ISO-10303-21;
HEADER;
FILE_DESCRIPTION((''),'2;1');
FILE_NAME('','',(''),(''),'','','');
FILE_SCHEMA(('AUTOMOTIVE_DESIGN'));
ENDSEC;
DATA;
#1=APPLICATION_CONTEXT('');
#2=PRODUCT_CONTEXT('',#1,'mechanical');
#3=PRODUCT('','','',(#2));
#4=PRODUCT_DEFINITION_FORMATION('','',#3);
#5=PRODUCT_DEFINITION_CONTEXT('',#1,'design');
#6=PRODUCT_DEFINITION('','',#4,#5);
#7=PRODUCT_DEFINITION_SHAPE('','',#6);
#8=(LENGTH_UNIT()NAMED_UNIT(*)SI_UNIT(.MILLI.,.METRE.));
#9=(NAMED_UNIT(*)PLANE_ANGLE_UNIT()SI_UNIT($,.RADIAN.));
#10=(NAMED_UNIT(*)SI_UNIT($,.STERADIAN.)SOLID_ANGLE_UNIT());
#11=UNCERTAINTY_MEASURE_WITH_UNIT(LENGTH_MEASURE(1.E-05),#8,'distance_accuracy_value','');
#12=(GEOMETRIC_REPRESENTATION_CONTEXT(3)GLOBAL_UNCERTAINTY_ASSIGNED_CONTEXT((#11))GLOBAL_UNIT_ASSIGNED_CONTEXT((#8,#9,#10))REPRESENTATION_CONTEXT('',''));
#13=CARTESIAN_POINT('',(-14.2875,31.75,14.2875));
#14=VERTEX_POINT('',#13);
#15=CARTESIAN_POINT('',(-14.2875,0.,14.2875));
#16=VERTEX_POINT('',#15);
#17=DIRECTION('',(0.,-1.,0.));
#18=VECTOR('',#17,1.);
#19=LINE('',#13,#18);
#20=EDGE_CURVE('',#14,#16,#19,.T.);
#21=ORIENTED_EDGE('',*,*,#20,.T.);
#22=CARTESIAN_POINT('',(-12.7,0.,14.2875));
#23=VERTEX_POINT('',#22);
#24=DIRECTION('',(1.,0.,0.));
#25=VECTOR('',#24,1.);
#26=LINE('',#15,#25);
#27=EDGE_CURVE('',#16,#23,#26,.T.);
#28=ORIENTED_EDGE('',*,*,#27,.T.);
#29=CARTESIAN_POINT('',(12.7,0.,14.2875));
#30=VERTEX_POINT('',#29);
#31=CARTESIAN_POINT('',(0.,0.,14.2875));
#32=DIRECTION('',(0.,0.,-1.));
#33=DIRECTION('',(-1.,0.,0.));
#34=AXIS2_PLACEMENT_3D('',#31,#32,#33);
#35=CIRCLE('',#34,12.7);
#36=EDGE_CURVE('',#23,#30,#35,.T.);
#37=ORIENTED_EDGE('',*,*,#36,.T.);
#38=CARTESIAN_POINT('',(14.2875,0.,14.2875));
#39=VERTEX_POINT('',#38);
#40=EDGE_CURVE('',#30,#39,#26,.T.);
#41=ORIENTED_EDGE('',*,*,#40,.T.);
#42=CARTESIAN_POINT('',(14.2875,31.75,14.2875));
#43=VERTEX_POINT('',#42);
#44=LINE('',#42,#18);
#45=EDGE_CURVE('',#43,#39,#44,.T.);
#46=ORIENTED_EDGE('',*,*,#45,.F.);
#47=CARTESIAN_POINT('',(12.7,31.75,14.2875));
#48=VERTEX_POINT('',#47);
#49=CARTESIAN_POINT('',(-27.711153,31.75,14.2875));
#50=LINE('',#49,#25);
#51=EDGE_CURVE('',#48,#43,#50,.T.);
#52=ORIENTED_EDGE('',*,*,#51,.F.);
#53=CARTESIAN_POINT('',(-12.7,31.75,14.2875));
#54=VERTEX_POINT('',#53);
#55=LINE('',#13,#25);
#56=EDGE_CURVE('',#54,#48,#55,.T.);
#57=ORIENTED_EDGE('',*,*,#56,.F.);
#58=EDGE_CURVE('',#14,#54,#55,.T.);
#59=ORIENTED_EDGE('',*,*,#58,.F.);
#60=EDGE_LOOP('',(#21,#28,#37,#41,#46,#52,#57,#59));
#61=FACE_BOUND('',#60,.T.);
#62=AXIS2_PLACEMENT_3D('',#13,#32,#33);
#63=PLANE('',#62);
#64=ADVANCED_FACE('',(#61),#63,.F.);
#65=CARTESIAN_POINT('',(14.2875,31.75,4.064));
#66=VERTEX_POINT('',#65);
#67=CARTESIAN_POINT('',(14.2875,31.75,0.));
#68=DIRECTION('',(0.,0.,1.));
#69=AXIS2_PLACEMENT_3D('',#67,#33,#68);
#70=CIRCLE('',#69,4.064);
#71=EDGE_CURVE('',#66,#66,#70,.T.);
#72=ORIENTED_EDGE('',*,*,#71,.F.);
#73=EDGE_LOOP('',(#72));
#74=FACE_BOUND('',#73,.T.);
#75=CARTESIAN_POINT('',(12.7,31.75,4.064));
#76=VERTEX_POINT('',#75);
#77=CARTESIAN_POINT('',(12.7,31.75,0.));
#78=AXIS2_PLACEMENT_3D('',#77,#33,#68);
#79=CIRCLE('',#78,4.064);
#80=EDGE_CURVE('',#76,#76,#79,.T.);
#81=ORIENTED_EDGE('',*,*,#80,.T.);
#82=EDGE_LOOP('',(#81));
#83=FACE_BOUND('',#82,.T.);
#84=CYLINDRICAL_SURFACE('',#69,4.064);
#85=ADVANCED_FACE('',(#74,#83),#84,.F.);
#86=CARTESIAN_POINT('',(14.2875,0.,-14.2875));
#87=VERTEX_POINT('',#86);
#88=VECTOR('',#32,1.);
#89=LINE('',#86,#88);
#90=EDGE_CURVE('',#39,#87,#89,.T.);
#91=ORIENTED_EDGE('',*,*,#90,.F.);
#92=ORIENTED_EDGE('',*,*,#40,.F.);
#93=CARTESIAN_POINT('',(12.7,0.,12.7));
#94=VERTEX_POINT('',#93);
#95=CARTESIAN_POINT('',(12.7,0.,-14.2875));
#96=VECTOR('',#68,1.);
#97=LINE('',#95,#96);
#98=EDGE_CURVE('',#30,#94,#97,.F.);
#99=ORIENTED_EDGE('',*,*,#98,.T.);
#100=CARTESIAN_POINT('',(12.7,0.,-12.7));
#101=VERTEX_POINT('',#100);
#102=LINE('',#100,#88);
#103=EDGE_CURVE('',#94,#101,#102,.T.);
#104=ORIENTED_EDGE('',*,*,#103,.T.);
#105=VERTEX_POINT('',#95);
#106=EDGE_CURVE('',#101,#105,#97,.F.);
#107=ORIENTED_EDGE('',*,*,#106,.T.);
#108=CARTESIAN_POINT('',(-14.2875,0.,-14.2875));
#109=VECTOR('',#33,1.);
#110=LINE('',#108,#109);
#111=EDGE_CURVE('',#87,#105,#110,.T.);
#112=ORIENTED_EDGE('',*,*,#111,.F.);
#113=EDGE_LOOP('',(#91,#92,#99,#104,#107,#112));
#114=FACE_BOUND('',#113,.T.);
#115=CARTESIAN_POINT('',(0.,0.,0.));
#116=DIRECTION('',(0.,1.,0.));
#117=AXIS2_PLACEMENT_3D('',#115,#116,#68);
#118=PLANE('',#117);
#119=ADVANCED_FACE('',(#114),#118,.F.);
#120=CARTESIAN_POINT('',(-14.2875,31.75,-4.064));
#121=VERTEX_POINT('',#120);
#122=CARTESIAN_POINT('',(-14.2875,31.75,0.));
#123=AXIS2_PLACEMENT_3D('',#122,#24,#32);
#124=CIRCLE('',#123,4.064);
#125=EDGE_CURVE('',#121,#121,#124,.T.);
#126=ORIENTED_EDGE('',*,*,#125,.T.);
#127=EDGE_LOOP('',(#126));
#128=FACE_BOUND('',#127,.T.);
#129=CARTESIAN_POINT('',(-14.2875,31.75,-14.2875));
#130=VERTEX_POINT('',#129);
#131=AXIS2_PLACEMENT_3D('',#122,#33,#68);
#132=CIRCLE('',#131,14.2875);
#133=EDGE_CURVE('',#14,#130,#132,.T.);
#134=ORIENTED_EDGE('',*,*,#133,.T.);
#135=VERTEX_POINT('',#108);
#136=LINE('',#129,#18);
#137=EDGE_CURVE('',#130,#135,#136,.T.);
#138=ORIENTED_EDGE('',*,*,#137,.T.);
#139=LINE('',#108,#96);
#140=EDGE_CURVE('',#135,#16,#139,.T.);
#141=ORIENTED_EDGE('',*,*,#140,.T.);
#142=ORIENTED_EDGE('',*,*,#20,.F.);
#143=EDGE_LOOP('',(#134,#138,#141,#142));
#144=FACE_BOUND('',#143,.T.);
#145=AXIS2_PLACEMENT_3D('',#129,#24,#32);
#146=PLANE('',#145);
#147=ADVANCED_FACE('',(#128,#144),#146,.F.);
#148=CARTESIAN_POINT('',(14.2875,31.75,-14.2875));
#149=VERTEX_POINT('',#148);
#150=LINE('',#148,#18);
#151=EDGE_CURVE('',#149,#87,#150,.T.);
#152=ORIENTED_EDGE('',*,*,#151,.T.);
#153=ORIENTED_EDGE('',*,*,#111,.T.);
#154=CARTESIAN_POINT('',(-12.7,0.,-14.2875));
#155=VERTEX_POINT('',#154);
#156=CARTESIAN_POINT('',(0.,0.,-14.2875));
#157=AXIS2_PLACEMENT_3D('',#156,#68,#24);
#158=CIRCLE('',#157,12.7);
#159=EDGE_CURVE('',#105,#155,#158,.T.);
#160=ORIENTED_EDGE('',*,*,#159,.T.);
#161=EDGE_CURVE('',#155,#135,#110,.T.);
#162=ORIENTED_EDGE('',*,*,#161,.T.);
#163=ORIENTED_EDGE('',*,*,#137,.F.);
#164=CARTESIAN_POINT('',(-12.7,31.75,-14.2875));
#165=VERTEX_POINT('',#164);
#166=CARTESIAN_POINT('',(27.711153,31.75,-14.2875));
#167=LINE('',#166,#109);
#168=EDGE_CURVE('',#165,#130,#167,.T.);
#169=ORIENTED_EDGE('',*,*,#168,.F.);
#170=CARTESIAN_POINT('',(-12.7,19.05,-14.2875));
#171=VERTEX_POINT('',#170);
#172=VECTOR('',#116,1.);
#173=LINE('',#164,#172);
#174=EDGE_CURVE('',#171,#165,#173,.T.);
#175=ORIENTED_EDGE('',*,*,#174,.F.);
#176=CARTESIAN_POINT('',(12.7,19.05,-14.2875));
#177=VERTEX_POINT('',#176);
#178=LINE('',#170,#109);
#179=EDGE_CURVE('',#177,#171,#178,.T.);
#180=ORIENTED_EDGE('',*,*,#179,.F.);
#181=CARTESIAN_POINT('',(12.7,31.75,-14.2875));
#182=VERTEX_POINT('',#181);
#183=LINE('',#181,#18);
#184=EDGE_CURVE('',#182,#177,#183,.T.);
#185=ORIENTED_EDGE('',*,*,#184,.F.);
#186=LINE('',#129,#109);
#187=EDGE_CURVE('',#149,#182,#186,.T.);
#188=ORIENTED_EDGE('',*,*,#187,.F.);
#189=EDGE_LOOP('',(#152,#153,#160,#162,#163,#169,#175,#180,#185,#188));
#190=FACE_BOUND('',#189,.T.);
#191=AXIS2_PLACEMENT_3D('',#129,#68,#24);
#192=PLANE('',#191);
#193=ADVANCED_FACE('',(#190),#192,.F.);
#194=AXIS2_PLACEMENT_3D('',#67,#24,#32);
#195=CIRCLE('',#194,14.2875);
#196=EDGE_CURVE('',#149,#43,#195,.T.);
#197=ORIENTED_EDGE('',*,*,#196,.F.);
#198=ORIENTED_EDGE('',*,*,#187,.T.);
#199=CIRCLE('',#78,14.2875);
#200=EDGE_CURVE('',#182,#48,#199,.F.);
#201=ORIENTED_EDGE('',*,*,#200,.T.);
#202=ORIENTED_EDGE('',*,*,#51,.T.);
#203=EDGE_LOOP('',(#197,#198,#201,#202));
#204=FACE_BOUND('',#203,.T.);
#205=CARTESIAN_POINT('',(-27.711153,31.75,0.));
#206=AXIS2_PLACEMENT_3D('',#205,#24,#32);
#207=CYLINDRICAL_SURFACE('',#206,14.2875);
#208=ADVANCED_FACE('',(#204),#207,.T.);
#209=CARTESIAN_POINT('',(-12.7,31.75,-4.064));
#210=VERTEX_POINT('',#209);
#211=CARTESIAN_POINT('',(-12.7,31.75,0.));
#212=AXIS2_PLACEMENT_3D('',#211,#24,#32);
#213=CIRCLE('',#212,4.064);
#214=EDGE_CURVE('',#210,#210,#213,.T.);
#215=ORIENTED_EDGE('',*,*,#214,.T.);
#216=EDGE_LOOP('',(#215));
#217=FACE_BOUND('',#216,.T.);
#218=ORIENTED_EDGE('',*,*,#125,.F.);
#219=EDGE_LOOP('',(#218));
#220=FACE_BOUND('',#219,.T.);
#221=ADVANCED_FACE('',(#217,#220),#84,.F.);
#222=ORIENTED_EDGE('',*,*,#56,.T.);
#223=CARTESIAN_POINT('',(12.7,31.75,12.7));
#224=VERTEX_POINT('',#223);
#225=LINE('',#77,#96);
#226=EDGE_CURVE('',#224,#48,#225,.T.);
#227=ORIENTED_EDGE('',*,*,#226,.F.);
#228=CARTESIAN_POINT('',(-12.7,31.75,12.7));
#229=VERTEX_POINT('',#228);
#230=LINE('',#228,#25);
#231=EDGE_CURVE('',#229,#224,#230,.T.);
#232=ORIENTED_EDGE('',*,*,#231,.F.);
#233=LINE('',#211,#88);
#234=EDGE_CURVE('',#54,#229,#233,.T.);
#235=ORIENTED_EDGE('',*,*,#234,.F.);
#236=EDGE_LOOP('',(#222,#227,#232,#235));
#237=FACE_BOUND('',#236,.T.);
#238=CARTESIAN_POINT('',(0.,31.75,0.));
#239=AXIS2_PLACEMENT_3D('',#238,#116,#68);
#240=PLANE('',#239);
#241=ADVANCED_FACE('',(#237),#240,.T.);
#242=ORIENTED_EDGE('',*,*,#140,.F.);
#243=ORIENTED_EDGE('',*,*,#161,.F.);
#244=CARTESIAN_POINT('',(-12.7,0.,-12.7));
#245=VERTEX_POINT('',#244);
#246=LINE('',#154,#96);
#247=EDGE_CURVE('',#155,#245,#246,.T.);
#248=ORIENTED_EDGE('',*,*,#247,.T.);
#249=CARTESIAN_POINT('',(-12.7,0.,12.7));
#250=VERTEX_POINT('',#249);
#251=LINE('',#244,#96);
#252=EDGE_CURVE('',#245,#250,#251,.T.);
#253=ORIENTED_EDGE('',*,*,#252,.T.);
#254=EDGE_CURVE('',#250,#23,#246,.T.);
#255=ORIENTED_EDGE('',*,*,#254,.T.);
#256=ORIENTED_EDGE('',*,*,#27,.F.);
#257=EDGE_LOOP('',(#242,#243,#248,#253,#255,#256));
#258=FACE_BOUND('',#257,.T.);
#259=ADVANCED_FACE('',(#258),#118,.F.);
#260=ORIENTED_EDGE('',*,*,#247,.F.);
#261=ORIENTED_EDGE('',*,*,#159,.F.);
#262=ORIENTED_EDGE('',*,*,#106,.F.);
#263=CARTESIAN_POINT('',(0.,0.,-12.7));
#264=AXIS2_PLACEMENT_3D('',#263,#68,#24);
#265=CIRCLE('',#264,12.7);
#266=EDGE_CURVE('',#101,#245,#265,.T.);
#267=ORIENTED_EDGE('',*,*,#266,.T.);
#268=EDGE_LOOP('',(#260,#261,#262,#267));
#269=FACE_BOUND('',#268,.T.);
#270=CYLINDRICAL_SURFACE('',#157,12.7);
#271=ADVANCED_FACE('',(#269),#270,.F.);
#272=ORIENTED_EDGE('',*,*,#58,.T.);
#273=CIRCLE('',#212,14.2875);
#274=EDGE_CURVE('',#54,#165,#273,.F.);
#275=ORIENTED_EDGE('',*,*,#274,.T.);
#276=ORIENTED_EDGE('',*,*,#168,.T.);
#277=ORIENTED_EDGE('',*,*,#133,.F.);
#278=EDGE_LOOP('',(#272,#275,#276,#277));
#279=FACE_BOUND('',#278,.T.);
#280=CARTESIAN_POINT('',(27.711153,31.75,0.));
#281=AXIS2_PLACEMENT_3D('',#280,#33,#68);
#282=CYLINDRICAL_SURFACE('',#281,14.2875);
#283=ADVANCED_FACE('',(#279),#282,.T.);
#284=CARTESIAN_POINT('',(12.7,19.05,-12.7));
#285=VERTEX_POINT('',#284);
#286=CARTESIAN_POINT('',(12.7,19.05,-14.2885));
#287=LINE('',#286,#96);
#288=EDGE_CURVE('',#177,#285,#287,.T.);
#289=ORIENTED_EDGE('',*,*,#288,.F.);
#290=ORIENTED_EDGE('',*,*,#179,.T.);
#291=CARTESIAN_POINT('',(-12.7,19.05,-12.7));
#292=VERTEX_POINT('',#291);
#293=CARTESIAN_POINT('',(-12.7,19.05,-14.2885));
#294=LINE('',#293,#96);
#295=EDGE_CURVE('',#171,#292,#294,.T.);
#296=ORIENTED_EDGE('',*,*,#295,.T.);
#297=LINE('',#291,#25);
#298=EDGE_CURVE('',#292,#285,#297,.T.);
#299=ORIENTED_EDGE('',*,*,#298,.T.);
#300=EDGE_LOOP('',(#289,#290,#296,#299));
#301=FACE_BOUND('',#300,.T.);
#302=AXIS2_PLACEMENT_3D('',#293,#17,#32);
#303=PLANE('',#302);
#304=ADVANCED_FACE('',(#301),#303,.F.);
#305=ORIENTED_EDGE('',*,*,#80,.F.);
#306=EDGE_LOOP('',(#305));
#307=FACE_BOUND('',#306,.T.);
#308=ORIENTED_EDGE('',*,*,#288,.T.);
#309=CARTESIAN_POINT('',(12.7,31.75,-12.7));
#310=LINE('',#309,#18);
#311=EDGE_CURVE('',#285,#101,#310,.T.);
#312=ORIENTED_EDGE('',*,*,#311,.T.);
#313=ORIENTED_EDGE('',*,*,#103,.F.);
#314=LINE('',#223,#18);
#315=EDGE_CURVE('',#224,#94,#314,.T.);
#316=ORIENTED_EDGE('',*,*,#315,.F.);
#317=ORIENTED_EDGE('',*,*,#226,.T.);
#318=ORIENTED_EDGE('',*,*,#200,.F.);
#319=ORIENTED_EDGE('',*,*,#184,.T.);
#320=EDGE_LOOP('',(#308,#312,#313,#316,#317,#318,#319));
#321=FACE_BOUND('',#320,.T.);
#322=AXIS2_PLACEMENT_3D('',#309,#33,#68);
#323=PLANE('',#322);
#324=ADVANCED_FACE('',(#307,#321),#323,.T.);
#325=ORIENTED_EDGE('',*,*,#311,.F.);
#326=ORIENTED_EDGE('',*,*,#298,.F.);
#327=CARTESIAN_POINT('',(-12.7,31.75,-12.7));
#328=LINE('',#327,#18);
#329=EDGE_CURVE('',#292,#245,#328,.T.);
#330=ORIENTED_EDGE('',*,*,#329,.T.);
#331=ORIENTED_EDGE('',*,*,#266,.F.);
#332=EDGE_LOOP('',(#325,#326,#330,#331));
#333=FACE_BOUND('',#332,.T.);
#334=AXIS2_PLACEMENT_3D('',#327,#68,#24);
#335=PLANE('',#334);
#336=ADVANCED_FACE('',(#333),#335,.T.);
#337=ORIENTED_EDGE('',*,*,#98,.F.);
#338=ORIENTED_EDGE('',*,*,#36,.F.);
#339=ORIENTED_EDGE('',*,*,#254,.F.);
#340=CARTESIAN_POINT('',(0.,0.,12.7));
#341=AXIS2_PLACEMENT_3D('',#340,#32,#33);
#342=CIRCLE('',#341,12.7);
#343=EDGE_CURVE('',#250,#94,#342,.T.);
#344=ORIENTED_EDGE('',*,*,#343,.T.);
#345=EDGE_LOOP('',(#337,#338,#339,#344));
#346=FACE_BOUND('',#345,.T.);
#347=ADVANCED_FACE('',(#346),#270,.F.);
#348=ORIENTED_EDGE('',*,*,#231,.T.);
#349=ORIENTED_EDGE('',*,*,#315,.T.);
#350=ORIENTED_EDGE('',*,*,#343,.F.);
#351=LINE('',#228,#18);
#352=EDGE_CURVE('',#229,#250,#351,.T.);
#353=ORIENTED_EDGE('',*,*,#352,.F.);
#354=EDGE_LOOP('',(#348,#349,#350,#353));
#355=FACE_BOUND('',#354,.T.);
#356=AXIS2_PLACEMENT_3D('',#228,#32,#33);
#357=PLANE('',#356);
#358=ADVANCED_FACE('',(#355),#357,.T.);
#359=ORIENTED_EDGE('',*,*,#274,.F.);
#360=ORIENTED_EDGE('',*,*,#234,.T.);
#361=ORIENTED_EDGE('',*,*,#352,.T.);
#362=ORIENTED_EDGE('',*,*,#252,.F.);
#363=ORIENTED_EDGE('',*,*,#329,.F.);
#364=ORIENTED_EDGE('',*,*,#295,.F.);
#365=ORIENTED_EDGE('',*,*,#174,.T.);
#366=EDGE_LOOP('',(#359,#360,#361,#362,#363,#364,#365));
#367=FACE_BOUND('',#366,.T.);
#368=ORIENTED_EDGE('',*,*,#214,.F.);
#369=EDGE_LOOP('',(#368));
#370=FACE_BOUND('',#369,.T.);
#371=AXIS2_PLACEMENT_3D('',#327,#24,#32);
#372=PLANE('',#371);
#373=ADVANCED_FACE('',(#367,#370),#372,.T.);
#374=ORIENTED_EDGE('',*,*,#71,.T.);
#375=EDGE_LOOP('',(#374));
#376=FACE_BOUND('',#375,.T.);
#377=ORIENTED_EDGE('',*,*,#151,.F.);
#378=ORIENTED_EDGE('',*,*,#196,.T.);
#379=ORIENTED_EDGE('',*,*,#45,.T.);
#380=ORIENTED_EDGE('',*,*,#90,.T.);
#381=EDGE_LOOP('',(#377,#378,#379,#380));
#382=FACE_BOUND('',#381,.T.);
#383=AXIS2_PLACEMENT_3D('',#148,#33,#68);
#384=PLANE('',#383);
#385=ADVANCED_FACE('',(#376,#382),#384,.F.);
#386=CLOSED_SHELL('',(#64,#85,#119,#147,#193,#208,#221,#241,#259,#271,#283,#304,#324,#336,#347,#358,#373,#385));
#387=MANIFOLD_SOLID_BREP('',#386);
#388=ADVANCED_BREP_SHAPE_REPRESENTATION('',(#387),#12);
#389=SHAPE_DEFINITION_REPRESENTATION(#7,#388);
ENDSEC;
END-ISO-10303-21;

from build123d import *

# Parameters (mm, degrees)
SKETCH1_W               = 28.575
SKETCH1_H               = 28.575
SKETCH1_W_2             = 25.4
SKETCH1_H_2             = 25.4
BOSS_EXTRUDE1_DEPTH     = 31.75
SKETCH2_R               = 14.2875
BOSS_EXTRUDE2_DEPTH     = 1.5875
BOSS_EXTRUDE3_START     = -1.5875
SKETCH3_R               = 14.2875
BOSS_EXTRUDE3_DEPTH     = 1.5875
CUT_EXTRUDE1_DEPTH      = 57.036726238
CUT_EXTRUDE1_DEPTH_BACK = 57.036726238
SKETCH4_R               = 4.064
CUT_EXTRUDE2_DEPTH      = 57.036726238
CUT_EXTRUDE2_DEPTH_BACK = 57.036726238
SKETCH5_R               = 12.7
CUT_EXTRUDE3_REACH      = 57.244
SKETCH6_W               = 25.4
SKETCH6_H               = 12.7


with BuildPart() as part:
    # Sketch1 → Boss-Extrude1 (new body)
    with BuildSketch(Plane(origin=(0, 0, 0), x_dir=(1, 0, 0), z_dir=(0, 1, 0))):
        Rectangle(SKETCH1_W, SKETCH1_H)
        Rectangle(SKETCH1_W_2, SKETCH1_H_2, mode=Mode.SUBTRACT)
    extrude(amount=BOSS_EXTRUDE1_DEPTH)

    # Sketch2 → Boss-Extrude2 (add)
    with BuildSketch(Plane.ZY.offset(14.2875)):
        with Locations((0, 31.75)):
            Circle(SKETCH2_R)
    extrude(amount=-BOSS_EXTRUDE2_DEPTH)

    # Sketch3 → Boss-Extrude3 (add)
    with BuildSketch(Plane(origin=(14.2875, 0, 0), x_dir=(0, 0, -1), z_dir=(1, 0, 0)).offset(BOSS_EXTRUDE3_START)):
        with Locations((0, 31.75)):
            Circle(SKETCH3_R)
    extrude(amount=BOSS_EXTRUDE3_DEPTH)

    # Sketch4 → Cut-Extrude1 (cut, two sides: drawn at the far end of the back side and taken through both)
    with BuildSketch(Plane.ZY.offset(14.2875).offset(-CUT_EXTRUDE1_DEPTH_BACK)):
        with Locations(Location((0, 31.75, 0), (0, 0, 180))):
            Circle(SKETCH4_R)
    extrude(amount=CUT_EXTRUDE1_DEPTH + CUT_EXTRUDE1_DEPTH_BACK, mode=Mode.SUBTRACT)

    # Sketch5 → Cut-Extrude2 (cut, two sides: drawn at the far end of the back side and taken through both)
    with BuildSketch(Plane.XY.offset(14.2875).offset(-CUT_EXTRUDE2_DEPTH_BACK)):
        Circle(SKETCH5_R)
    extrude(amount=CUT_EXTRUDE2_DEPTH + CUT_EXTRUDE2_DEPTH_BACK, mode=Mode.SUBTRACT)

    # Sketch6 → Cut-Extrude3 (cut, up to next)
    with BuildSketch(Plane.XY.offset(-12.7), mode=Mode.PRIVATE) as cut_extrude3_sk1:
        with Locations((0, 25.4)):
            Rectangle(SKETCH6_W, SKETCH6_H)
    cut_extrude3_tool1 = extrude(cut_extrude3_sk1.sketch, amount=-CUT_EXTRUDE3_REACH, mode=Mode.PRIVATE) & part.part
    add(cut_extrude3_tool1.solids().sort_by_distance((0, 25.4, -12.7))[0], mode=Mode.SUBTRACT)


solid = part.part
